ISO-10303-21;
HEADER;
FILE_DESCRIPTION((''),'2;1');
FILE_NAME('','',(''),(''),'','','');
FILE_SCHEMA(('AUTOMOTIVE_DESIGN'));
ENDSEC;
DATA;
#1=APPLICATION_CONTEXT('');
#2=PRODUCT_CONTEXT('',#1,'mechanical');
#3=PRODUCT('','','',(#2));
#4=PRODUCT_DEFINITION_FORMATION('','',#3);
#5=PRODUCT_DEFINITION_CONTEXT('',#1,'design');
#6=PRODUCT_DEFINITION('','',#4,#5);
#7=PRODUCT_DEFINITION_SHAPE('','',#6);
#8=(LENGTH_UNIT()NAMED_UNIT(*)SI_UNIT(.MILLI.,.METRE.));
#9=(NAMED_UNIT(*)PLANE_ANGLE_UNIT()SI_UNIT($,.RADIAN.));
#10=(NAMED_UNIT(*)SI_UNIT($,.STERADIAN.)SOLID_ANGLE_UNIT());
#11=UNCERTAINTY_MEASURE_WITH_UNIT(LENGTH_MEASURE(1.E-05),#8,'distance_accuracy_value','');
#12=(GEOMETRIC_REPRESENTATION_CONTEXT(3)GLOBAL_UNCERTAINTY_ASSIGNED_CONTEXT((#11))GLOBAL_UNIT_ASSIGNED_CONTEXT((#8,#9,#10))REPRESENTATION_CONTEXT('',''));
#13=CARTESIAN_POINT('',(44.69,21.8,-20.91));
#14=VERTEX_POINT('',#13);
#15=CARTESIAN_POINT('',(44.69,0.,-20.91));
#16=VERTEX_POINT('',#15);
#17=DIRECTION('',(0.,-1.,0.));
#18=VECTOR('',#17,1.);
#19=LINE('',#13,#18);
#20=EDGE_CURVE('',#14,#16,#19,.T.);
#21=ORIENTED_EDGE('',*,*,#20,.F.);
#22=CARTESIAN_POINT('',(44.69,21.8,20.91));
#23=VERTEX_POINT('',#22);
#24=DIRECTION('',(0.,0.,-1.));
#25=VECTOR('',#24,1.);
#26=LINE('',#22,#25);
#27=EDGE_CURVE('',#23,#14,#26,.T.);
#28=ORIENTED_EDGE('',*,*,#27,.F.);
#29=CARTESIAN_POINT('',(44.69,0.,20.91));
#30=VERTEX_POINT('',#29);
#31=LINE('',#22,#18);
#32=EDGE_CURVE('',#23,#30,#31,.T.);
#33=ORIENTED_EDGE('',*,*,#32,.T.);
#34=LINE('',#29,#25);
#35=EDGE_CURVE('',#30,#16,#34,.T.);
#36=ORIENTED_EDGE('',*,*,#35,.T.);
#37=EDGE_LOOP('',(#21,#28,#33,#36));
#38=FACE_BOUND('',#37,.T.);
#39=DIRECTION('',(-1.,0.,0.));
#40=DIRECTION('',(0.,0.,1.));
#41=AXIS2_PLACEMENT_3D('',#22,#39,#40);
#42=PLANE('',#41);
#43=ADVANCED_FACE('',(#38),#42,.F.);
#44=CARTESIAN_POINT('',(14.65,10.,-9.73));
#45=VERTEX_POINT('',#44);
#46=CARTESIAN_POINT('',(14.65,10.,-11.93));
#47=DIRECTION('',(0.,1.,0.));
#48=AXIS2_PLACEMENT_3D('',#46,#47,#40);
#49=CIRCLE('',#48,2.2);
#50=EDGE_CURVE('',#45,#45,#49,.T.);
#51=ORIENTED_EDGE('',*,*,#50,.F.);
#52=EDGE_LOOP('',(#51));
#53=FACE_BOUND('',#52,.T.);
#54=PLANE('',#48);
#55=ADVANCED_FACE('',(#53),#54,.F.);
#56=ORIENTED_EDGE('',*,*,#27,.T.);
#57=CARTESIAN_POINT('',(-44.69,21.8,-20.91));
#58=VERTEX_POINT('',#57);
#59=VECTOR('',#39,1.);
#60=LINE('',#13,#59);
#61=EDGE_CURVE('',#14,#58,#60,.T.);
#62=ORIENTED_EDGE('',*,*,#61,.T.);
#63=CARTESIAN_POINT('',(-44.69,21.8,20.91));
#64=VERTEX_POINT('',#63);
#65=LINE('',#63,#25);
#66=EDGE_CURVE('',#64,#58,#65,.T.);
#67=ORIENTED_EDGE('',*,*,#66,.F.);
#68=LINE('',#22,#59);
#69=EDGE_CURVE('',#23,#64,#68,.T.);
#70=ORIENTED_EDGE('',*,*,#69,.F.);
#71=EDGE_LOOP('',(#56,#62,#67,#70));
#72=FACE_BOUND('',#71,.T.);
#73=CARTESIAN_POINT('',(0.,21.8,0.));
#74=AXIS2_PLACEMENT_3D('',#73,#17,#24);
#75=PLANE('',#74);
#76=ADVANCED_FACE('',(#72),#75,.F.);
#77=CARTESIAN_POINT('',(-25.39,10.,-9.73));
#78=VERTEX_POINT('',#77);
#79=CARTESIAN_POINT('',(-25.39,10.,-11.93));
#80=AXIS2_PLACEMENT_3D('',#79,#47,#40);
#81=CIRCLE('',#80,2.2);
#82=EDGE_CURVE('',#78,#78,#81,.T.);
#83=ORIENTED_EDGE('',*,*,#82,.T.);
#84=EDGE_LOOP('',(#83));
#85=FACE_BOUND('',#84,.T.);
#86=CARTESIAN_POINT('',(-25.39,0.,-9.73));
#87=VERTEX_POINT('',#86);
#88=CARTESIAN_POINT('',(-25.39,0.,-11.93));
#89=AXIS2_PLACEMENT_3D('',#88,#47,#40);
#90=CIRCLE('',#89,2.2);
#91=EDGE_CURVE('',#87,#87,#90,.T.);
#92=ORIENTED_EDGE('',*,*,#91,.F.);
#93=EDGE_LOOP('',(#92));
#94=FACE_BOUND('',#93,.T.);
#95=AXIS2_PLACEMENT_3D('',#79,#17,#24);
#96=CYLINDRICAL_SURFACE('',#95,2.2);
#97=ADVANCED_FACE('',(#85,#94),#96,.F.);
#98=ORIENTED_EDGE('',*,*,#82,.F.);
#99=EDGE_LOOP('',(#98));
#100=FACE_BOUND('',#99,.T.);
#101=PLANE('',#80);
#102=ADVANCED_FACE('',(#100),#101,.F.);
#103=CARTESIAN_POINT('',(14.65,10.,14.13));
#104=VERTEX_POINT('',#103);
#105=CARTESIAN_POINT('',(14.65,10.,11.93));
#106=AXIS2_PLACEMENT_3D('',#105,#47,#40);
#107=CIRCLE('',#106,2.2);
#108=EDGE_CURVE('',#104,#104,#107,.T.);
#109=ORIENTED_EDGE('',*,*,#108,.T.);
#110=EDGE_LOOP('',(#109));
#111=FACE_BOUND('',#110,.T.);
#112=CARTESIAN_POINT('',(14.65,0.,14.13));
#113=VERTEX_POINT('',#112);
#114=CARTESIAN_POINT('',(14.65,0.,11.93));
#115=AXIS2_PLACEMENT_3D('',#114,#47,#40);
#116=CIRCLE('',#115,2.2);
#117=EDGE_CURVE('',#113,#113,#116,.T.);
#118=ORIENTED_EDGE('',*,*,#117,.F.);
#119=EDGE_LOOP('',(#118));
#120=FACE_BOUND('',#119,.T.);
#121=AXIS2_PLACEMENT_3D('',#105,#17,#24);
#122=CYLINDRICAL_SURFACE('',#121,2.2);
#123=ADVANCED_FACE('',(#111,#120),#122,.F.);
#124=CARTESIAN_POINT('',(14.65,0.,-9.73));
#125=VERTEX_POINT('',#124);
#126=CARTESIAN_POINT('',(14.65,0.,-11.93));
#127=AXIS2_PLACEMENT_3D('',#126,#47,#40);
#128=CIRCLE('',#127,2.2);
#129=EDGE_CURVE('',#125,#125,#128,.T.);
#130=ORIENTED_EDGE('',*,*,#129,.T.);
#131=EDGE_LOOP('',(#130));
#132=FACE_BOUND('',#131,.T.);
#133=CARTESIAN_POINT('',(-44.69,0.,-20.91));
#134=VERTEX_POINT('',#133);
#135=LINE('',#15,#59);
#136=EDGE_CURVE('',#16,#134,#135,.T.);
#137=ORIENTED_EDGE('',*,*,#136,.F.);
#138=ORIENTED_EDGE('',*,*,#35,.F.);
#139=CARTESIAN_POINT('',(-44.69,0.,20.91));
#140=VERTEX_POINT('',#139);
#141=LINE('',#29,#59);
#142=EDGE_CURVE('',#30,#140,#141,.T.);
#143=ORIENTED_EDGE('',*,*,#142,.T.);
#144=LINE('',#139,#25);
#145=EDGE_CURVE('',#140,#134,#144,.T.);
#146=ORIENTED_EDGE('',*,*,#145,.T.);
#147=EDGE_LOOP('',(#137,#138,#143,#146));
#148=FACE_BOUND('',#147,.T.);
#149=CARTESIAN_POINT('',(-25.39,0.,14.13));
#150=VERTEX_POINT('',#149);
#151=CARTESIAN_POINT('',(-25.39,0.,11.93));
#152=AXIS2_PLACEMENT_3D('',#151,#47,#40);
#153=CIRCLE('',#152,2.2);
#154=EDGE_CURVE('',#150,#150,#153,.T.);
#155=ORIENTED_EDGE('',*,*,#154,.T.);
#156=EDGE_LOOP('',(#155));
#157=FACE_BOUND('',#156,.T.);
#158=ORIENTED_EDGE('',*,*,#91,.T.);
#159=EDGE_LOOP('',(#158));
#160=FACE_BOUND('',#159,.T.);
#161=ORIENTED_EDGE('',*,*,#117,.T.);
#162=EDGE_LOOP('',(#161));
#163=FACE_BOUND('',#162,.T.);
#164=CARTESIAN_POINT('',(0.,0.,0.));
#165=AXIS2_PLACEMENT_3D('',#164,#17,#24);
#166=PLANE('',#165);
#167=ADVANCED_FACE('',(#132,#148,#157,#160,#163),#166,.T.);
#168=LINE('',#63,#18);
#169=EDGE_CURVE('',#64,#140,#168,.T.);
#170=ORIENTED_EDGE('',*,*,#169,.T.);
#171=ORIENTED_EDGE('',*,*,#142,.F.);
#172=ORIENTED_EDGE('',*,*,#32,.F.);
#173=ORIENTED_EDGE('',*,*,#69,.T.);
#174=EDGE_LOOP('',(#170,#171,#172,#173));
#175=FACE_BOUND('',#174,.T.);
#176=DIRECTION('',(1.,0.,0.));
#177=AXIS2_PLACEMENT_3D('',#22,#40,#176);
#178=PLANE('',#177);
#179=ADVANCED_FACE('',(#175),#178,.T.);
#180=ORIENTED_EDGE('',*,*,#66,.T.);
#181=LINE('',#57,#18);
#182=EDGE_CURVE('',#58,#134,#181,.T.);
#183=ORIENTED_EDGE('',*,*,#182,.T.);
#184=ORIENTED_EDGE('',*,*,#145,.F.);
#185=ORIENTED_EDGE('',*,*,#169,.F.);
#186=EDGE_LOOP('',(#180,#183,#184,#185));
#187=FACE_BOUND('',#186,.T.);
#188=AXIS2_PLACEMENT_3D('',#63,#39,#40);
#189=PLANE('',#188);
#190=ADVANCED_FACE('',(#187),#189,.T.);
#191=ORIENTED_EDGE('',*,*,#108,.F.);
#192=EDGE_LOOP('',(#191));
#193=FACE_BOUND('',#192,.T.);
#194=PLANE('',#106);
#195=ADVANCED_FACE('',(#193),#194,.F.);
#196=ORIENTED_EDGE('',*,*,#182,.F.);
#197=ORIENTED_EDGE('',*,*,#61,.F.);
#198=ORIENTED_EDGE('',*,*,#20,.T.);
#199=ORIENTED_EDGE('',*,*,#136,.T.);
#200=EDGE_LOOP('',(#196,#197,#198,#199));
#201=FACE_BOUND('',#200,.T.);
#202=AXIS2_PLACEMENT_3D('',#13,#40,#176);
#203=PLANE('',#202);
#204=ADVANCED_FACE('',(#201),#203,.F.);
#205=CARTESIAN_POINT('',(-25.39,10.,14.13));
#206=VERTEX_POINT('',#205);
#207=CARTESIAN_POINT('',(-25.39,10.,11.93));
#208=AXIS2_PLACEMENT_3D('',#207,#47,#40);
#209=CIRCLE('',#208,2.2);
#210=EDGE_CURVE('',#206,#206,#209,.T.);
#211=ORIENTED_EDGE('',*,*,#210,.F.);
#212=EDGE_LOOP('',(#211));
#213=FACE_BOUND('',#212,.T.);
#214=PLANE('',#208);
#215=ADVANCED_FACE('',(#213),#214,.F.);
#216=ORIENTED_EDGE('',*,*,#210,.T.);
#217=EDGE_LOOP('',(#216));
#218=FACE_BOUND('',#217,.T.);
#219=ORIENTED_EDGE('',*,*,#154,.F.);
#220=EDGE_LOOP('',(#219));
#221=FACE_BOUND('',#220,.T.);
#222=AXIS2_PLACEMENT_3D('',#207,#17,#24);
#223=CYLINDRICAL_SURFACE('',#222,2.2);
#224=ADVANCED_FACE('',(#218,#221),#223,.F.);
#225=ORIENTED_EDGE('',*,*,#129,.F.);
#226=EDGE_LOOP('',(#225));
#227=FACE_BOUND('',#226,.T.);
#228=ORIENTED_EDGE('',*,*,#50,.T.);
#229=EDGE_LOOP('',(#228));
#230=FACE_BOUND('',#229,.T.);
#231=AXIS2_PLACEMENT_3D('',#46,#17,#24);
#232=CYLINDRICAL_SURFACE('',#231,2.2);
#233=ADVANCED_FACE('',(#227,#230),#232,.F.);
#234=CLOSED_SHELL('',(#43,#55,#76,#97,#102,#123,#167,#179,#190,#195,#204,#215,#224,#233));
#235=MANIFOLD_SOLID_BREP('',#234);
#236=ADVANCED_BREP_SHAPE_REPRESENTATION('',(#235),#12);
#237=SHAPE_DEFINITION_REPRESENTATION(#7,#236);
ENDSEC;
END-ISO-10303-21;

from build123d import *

# Parameters (mm, degrees)
SKETCH1_W           = 89.38
SKETCH1_H           = 41.82
BOSS_EXTRUDE6_DEPTH = 21.8
SKETCH1_13_R        = 2.2
CUT_EXTRUDE2_DEPTH  = 10


with BuildPart() as part:
    # Sketch1 → Boss-Extrude6 (new body)
    with BuildSketch(Plane(origin=(0, 0, 0), x_dir=(1, 0, 0), z_dir=(0, 1, 0))):
        Rectangle(SKETCH1_W, SKETCH1_H)
    extrude(amount=BOSS_EXTRUDE6_DEPTH)

    # Sketch1<13> → Cut-Extrude2 (cut)
    with BuildSketch(Plane(origin=(0, 0, 0), x_dir=(1, 0, 0), z_dir=(0, 1, 0))):
        with Locations((-25.39, 11.93)):
            Circle(SKETCH1_13_R)
        with Locations((-25.39, -11.93)):
            Circle(SKETCH1_13_R)
        with Locations((14.65, 11.93)):
            Circle(SKETCH1_13_R)
        with Locations((14.65, -11.93)):
            Circle(SKETCH1_13_R)
    extrude(amount=CUT_EXTRUDE2_DEPTH, mode=Mode.SUBTRACT)


solid = part.part
